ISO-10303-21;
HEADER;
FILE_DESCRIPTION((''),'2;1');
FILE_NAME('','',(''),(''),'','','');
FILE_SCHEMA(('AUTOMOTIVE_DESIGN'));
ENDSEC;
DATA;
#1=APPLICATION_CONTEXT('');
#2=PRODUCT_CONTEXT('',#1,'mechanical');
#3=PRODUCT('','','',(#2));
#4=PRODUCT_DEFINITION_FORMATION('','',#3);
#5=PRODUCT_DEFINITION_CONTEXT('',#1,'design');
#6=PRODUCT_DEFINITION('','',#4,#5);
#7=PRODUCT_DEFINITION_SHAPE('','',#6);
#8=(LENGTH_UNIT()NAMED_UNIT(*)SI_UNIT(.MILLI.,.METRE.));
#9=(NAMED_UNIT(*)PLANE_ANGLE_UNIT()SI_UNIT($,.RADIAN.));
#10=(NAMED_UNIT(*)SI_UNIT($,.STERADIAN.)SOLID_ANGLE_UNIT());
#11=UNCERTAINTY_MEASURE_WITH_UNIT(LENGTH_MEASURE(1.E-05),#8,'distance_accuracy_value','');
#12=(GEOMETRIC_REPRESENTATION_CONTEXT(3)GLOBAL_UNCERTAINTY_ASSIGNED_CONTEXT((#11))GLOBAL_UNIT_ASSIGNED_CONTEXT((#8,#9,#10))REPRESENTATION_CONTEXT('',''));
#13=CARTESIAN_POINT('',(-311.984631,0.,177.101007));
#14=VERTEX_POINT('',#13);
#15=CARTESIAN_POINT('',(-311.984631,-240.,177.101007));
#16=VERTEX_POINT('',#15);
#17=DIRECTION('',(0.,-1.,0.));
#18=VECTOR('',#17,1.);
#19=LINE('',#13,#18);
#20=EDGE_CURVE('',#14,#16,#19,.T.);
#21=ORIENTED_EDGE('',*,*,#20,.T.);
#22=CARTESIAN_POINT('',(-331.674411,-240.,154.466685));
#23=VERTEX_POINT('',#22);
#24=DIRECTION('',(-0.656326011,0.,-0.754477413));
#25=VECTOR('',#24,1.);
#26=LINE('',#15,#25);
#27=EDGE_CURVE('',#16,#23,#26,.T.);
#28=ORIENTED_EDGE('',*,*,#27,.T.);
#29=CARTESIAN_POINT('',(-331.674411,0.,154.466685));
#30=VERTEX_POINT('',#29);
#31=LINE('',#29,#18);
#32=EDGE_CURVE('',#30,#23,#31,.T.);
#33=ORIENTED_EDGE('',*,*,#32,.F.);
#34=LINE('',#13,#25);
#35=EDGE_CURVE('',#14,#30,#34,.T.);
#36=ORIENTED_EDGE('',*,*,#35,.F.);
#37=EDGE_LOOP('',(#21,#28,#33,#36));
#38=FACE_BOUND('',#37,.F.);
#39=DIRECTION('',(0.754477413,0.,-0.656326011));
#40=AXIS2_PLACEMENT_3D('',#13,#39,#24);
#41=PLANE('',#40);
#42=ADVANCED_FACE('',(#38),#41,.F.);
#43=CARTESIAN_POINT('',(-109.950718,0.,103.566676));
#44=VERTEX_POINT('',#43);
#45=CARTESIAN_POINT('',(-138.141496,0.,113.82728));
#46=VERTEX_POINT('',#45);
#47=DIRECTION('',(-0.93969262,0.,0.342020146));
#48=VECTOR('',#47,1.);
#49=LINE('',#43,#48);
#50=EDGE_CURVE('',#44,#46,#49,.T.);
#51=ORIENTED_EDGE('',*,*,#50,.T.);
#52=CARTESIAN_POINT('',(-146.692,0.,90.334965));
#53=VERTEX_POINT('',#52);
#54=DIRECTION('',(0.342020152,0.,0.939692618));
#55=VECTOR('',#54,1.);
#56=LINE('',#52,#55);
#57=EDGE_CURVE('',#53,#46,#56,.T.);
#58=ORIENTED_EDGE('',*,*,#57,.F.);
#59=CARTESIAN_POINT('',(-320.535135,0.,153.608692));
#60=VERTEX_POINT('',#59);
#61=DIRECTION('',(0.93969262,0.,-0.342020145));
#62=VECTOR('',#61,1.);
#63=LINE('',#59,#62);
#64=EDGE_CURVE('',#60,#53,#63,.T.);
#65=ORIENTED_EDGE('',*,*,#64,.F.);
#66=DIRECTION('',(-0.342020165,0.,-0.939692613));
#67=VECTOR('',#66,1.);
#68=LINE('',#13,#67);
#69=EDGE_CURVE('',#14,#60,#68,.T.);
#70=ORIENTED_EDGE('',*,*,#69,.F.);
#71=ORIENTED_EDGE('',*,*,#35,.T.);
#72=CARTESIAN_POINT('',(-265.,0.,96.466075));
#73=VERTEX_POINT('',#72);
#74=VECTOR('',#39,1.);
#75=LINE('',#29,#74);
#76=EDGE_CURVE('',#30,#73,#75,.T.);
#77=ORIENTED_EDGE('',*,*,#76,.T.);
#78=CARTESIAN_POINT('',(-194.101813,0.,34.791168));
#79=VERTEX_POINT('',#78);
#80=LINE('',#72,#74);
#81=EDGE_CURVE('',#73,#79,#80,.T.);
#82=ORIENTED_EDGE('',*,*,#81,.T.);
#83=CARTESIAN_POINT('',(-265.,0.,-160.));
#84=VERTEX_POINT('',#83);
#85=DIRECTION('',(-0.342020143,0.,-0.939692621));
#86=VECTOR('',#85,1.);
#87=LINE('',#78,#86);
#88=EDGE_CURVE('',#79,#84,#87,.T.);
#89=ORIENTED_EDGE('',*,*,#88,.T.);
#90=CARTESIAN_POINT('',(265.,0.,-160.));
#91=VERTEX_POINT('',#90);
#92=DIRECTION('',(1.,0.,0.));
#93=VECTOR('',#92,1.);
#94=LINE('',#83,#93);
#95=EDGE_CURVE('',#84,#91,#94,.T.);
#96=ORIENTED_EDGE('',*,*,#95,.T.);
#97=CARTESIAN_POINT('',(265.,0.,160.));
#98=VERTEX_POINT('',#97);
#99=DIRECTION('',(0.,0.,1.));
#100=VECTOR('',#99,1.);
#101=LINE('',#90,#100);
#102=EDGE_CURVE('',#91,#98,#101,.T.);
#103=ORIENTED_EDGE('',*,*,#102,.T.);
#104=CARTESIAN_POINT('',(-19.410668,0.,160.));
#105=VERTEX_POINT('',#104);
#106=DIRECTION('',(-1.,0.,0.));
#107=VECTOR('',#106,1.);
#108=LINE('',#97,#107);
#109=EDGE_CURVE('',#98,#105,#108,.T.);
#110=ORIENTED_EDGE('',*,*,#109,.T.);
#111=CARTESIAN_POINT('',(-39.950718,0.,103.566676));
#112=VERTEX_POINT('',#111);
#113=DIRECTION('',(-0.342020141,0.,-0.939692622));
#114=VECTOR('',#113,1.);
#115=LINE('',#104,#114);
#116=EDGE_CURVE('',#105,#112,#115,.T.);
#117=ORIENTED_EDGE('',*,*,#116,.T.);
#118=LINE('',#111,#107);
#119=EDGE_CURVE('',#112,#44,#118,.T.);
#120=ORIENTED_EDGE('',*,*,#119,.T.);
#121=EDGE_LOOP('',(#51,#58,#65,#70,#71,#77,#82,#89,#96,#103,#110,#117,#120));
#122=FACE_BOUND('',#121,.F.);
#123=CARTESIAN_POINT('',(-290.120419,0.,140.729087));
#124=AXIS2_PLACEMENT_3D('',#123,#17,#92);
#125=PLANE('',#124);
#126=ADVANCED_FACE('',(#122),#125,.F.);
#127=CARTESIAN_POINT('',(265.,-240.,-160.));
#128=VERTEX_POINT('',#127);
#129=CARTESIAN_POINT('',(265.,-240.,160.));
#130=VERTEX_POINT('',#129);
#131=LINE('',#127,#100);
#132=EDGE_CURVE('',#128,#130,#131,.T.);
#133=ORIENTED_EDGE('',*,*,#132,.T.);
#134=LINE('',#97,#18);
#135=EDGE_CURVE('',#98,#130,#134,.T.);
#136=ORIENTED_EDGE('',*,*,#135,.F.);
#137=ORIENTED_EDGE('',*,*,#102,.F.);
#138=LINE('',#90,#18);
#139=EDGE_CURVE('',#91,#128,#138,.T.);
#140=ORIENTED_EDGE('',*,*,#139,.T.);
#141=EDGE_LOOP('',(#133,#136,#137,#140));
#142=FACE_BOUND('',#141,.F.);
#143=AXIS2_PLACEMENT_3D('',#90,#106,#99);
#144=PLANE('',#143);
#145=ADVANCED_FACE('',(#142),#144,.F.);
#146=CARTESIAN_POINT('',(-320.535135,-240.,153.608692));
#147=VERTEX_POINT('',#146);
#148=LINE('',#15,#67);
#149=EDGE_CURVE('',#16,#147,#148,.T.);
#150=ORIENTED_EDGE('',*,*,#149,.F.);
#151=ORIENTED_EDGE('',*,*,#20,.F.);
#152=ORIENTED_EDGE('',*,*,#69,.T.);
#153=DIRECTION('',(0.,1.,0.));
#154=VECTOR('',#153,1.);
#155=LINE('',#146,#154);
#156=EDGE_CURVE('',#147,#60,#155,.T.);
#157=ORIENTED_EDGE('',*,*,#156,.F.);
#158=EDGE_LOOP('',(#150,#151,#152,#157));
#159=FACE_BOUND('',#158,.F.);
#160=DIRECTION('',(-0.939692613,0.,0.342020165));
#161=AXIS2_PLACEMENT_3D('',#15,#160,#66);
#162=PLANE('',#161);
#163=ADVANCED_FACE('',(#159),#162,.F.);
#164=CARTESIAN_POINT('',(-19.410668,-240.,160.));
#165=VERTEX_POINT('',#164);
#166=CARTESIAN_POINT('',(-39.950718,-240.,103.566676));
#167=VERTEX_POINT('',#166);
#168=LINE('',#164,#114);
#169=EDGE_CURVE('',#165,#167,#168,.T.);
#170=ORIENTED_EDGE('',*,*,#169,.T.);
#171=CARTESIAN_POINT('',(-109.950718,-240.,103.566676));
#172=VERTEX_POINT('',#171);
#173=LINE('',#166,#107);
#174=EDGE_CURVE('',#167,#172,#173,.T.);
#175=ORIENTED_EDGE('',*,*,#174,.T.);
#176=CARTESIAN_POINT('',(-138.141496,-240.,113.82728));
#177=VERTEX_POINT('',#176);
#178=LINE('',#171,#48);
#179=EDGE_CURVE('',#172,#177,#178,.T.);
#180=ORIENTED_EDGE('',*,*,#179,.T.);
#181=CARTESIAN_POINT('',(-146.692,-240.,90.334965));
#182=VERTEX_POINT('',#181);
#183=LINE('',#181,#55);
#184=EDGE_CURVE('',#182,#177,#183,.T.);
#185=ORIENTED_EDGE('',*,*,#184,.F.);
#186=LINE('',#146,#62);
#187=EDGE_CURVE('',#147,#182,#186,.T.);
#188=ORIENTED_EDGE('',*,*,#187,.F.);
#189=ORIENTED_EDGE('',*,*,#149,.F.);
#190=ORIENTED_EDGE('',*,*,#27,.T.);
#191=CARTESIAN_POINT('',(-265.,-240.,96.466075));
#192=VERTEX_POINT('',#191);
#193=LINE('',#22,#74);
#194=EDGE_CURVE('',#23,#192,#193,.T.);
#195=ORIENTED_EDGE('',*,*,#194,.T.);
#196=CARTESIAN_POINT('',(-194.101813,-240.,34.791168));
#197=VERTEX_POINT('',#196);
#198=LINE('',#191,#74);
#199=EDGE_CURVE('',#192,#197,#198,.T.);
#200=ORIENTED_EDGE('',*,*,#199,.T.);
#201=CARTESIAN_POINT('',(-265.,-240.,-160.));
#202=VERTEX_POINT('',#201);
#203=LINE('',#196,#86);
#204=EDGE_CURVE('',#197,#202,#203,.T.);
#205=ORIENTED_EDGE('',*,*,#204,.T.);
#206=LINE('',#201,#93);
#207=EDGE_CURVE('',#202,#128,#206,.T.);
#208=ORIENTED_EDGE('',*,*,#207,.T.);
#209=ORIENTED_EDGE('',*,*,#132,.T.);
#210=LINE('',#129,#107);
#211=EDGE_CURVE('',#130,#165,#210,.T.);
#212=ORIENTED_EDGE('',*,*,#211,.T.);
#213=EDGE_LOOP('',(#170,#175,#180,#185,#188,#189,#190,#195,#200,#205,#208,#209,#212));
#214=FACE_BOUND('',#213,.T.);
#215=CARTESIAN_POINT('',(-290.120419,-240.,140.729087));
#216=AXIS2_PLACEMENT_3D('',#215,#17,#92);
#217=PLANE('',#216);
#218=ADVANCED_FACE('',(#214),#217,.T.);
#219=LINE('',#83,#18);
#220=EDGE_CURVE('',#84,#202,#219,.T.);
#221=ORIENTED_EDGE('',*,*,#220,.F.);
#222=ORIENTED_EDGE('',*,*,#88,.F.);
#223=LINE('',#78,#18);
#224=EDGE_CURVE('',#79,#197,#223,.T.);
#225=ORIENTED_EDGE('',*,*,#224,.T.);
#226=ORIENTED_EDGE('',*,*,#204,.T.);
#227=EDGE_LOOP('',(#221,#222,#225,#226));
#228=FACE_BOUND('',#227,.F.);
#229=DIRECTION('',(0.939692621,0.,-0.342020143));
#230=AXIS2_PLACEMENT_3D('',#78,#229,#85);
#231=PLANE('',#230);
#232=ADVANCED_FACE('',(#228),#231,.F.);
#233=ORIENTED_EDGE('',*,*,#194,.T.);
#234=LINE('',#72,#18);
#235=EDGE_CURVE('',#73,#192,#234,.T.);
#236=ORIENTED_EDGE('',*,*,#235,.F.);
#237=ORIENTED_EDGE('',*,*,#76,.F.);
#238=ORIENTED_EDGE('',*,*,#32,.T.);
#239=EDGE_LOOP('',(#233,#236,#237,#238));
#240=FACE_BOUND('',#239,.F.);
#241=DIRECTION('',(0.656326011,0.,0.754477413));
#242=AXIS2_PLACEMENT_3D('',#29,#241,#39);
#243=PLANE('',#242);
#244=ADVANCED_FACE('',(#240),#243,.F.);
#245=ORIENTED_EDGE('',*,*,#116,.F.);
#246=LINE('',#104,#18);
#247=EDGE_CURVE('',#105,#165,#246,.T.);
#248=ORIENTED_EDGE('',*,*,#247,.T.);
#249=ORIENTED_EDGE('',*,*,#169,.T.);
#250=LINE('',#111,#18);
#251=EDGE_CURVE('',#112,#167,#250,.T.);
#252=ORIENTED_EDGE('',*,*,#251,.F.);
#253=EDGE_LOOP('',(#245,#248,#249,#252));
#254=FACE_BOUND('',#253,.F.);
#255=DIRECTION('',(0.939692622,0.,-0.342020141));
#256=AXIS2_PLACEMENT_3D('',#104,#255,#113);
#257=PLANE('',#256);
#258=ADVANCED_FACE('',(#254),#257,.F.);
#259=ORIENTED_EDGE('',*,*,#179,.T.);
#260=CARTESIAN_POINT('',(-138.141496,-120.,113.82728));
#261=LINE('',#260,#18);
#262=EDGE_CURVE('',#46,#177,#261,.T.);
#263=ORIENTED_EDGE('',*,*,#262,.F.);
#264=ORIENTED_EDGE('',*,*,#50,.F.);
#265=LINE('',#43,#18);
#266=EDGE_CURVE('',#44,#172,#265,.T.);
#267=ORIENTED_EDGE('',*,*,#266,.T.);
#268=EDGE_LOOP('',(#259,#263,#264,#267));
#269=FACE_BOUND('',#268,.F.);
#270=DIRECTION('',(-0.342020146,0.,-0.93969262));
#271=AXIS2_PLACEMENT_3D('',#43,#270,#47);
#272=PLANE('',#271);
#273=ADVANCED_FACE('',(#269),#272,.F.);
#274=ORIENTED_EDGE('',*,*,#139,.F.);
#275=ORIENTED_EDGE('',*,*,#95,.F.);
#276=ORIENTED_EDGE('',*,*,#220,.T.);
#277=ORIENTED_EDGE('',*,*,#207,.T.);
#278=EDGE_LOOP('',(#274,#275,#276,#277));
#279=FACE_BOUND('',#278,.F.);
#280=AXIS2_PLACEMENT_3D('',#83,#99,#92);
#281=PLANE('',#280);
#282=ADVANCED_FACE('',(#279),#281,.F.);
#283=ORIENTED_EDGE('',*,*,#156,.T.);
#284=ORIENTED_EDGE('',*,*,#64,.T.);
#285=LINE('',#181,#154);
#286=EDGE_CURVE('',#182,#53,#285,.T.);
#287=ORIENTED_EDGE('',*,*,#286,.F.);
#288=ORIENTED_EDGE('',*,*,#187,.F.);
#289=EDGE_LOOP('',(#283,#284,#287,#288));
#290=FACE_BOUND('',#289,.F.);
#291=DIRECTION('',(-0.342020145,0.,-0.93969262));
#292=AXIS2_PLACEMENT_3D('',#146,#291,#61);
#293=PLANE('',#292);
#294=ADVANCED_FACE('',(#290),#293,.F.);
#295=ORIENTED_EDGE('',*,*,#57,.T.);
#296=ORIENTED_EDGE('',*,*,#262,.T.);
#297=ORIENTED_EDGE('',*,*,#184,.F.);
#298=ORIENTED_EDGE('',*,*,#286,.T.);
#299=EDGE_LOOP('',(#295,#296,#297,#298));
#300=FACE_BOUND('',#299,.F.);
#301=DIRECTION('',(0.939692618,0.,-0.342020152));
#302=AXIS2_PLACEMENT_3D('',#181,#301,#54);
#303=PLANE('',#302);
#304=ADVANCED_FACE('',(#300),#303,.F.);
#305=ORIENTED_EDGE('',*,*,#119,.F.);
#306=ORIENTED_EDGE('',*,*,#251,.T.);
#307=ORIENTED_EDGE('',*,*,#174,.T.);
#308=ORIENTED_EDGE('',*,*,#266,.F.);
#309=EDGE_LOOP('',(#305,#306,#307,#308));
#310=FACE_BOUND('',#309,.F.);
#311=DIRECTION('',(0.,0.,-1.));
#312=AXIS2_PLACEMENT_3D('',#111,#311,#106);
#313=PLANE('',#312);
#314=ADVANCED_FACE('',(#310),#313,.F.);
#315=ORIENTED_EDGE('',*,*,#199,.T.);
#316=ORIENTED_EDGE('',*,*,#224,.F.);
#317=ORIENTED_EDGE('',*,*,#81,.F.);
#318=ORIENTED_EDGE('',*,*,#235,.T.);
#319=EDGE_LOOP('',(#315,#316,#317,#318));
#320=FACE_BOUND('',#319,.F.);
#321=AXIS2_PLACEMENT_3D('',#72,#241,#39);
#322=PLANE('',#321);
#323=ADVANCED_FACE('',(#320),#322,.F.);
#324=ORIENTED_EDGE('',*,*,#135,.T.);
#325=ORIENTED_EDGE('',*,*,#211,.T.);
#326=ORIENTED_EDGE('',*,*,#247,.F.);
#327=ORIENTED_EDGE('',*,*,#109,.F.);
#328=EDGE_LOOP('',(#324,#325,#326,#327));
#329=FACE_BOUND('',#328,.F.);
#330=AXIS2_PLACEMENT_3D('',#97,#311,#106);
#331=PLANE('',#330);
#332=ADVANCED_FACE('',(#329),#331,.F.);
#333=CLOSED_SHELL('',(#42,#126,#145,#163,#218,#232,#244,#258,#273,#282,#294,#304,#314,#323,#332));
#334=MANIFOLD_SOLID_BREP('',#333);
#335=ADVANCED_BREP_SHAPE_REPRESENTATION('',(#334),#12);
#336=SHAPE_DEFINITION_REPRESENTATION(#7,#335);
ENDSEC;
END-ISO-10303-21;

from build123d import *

# Parameters (mm, degrees)
F1_DEPTH = 240
F3_DEPTH = 240


with BuildPart() as f1:
    # F0 (on Front) → F1 (new body)
    with BuildSketch(Plane.XZ):
        Polygon((-265, 96.466075), (-265, 160), (-311.984631, 177.101007), (-331.674411, 154.466685), align=None)
        Polygon((265, -160), (265, 160), (0, 160), (-19.410668, 160), (-39.950718, 103.566676), (-109.950718, 103.566676), (-265, 160), (-265, 96.466075), (-194.101813, 34.791168), (-265, -160), align=None)
    extrude(amount=F1_DEPTH)

    # F2 (on face) → F3 (cut)
    with BuildSketch(Plane.XZ.offset(240)):
        Polygon((-138.141496, 113.827281), (-311.984631, 177.101007), (-320.535135, 153.608692), (-146.692, 90.334965), align=None)
    extrude(amount=-F3_DEPTH, mode=Mode.SUBTRACT)


solid = f1.part
